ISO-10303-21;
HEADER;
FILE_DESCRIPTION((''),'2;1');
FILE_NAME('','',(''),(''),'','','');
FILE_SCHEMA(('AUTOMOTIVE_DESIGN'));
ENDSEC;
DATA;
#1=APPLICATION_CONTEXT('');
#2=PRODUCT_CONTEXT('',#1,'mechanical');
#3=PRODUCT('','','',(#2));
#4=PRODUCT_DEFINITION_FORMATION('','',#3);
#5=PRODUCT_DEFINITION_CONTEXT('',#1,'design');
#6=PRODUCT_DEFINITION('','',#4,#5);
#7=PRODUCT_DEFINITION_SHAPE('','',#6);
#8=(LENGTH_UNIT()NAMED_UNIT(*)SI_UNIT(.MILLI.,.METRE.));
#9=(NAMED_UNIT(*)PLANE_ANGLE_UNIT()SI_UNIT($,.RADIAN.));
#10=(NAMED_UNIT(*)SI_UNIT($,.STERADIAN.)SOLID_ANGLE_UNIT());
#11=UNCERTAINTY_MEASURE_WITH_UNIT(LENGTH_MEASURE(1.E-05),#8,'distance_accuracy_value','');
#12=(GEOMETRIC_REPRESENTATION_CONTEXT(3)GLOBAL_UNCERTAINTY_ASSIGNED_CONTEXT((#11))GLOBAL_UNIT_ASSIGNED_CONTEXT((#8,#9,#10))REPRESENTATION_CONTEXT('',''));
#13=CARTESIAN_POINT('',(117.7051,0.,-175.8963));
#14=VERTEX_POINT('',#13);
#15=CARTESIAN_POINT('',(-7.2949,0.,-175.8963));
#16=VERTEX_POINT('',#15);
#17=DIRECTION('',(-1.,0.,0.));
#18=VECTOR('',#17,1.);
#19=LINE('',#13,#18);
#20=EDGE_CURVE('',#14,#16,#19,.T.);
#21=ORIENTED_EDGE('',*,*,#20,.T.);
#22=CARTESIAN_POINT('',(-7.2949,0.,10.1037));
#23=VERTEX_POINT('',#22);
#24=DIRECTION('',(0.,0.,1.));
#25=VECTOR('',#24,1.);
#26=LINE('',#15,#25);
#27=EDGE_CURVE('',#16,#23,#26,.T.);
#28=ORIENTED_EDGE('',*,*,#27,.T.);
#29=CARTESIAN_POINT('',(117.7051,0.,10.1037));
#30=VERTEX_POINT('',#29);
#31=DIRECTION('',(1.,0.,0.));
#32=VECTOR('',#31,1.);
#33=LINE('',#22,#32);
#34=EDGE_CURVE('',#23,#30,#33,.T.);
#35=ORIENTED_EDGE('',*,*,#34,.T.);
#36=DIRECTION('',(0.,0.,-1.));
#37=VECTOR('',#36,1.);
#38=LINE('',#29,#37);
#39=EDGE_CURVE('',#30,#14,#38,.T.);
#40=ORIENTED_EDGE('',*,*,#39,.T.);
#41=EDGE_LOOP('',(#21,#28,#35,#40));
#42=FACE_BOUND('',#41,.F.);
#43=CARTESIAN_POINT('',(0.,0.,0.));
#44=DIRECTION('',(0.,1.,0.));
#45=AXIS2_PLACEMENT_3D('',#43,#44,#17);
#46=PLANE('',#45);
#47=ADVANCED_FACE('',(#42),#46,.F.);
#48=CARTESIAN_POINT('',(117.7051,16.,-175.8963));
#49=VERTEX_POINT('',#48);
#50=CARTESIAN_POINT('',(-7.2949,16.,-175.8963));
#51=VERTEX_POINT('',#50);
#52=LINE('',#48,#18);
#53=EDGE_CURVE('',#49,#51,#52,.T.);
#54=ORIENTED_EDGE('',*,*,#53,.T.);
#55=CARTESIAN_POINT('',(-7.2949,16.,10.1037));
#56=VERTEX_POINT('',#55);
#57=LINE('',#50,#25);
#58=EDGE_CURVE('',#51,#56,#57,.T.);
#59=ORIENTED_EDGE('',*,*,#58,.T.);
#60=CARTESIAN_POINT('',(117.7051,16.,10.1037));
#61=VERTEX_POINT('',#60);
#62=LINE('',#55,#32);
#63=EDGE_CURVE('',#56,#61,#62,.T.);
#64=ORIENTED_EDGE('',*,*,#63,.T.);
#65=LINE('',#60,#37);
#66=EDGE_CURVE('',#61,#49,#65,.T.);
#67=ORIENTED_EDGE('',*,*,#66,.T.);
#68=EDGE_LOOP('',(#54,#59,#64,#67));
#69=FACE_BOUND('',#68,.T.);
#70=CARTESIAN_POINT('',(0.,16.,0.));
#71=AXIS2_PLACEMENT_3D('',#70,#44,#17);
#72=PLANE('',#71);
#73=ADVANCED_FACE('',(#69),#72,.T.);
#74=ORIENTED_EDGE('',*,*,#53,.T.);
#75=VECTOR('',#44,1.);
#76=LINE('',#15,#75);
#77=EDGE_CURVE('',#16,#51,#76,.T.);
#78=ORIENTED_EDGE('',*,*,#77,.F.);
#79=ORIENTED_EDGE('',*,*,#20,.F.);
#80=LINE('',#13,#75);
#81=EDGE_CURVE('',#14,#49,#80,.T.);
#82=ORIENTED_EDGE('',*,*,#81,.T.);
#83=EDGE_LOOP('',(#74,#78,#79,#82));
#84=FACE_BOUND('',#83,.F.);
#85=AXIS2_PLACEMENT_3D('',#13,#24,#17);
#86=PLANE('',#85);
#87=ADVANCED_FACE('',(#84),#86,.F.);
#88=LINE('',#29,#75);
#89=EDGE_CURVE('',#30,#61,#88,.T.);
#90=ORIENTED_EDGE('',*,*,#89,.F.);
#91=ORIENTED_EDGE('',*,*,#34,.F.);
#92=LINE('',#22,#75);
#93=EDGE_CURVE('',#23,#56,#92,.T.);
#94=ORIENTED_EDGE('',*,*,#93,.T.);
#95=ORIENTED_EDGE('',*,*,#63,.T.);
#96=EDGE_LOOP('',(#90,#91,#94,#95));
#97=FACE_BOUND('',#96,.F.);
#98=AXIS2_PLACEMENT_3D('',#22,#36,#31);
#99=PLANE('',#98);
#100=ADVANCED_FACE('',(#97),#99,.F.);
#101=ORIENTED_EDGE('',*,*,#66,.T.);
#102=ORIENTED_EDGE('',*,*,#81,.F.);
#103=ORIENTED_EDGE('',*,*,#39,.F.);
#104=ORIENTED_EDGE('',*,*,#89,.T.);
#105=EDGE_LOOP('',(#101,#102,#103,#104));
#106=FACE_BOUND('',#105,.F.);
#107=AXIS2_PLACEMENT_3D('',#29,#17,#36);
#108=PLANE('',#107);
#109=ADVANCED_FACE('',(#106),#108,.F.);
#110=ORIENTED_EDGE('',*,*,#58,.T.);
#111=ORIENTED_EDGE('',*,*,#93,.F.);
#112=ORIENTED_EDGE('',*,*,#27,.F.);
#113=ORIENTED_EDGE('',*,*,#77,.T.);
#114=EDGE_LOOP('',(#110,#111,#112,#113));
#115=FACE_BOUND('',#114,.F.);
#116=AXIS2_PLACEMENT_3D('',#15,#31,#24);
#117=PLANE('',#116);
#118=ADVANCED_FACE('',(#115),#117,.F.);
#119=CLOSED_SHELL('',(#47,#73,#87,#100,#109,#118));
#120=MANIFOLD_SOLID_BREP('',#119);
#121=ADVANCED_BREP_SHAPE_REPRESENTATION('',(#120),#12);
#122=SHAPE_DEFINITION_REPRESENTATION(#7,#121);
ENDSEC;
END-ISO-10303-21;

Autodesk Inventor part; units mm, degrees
ref_plane "YZ Plane" through (0, 0, 0) normal (1, 0, 0) x (0, 1, 0)
ref_plane "XZ Plane" through (0, 0, 0) normal (0, 1, 0) x (-1, 0, 0)
ref_plane "XY Plane" through (0, 0, 0) normal (0, 0, 1) x (1, 0, 0)
sketch "Sketch1" plane through (0, 0, 0) normal (0, 1, 0) x (-1, 0, 0)
  line L0 (7.2949, 10.1037) -> (-117.7051, 10.1037)
  line L1 (-117.7051, 10.1037) -> (-117.7051, -175.8963)
  line L2 (-117.7051, -175.8963) -> (7.2949, -175.8963)
  line L3 (7.2949, -175.8963) -> (7.2949, 10.1037)
  point P0 (0, 0)
  dimension "d0" = 186
  dimension "d1" = 125
extrude "Extrusion1" add sketch "Sketch1" along normal blind 16
properties part number "anker20Ah"
